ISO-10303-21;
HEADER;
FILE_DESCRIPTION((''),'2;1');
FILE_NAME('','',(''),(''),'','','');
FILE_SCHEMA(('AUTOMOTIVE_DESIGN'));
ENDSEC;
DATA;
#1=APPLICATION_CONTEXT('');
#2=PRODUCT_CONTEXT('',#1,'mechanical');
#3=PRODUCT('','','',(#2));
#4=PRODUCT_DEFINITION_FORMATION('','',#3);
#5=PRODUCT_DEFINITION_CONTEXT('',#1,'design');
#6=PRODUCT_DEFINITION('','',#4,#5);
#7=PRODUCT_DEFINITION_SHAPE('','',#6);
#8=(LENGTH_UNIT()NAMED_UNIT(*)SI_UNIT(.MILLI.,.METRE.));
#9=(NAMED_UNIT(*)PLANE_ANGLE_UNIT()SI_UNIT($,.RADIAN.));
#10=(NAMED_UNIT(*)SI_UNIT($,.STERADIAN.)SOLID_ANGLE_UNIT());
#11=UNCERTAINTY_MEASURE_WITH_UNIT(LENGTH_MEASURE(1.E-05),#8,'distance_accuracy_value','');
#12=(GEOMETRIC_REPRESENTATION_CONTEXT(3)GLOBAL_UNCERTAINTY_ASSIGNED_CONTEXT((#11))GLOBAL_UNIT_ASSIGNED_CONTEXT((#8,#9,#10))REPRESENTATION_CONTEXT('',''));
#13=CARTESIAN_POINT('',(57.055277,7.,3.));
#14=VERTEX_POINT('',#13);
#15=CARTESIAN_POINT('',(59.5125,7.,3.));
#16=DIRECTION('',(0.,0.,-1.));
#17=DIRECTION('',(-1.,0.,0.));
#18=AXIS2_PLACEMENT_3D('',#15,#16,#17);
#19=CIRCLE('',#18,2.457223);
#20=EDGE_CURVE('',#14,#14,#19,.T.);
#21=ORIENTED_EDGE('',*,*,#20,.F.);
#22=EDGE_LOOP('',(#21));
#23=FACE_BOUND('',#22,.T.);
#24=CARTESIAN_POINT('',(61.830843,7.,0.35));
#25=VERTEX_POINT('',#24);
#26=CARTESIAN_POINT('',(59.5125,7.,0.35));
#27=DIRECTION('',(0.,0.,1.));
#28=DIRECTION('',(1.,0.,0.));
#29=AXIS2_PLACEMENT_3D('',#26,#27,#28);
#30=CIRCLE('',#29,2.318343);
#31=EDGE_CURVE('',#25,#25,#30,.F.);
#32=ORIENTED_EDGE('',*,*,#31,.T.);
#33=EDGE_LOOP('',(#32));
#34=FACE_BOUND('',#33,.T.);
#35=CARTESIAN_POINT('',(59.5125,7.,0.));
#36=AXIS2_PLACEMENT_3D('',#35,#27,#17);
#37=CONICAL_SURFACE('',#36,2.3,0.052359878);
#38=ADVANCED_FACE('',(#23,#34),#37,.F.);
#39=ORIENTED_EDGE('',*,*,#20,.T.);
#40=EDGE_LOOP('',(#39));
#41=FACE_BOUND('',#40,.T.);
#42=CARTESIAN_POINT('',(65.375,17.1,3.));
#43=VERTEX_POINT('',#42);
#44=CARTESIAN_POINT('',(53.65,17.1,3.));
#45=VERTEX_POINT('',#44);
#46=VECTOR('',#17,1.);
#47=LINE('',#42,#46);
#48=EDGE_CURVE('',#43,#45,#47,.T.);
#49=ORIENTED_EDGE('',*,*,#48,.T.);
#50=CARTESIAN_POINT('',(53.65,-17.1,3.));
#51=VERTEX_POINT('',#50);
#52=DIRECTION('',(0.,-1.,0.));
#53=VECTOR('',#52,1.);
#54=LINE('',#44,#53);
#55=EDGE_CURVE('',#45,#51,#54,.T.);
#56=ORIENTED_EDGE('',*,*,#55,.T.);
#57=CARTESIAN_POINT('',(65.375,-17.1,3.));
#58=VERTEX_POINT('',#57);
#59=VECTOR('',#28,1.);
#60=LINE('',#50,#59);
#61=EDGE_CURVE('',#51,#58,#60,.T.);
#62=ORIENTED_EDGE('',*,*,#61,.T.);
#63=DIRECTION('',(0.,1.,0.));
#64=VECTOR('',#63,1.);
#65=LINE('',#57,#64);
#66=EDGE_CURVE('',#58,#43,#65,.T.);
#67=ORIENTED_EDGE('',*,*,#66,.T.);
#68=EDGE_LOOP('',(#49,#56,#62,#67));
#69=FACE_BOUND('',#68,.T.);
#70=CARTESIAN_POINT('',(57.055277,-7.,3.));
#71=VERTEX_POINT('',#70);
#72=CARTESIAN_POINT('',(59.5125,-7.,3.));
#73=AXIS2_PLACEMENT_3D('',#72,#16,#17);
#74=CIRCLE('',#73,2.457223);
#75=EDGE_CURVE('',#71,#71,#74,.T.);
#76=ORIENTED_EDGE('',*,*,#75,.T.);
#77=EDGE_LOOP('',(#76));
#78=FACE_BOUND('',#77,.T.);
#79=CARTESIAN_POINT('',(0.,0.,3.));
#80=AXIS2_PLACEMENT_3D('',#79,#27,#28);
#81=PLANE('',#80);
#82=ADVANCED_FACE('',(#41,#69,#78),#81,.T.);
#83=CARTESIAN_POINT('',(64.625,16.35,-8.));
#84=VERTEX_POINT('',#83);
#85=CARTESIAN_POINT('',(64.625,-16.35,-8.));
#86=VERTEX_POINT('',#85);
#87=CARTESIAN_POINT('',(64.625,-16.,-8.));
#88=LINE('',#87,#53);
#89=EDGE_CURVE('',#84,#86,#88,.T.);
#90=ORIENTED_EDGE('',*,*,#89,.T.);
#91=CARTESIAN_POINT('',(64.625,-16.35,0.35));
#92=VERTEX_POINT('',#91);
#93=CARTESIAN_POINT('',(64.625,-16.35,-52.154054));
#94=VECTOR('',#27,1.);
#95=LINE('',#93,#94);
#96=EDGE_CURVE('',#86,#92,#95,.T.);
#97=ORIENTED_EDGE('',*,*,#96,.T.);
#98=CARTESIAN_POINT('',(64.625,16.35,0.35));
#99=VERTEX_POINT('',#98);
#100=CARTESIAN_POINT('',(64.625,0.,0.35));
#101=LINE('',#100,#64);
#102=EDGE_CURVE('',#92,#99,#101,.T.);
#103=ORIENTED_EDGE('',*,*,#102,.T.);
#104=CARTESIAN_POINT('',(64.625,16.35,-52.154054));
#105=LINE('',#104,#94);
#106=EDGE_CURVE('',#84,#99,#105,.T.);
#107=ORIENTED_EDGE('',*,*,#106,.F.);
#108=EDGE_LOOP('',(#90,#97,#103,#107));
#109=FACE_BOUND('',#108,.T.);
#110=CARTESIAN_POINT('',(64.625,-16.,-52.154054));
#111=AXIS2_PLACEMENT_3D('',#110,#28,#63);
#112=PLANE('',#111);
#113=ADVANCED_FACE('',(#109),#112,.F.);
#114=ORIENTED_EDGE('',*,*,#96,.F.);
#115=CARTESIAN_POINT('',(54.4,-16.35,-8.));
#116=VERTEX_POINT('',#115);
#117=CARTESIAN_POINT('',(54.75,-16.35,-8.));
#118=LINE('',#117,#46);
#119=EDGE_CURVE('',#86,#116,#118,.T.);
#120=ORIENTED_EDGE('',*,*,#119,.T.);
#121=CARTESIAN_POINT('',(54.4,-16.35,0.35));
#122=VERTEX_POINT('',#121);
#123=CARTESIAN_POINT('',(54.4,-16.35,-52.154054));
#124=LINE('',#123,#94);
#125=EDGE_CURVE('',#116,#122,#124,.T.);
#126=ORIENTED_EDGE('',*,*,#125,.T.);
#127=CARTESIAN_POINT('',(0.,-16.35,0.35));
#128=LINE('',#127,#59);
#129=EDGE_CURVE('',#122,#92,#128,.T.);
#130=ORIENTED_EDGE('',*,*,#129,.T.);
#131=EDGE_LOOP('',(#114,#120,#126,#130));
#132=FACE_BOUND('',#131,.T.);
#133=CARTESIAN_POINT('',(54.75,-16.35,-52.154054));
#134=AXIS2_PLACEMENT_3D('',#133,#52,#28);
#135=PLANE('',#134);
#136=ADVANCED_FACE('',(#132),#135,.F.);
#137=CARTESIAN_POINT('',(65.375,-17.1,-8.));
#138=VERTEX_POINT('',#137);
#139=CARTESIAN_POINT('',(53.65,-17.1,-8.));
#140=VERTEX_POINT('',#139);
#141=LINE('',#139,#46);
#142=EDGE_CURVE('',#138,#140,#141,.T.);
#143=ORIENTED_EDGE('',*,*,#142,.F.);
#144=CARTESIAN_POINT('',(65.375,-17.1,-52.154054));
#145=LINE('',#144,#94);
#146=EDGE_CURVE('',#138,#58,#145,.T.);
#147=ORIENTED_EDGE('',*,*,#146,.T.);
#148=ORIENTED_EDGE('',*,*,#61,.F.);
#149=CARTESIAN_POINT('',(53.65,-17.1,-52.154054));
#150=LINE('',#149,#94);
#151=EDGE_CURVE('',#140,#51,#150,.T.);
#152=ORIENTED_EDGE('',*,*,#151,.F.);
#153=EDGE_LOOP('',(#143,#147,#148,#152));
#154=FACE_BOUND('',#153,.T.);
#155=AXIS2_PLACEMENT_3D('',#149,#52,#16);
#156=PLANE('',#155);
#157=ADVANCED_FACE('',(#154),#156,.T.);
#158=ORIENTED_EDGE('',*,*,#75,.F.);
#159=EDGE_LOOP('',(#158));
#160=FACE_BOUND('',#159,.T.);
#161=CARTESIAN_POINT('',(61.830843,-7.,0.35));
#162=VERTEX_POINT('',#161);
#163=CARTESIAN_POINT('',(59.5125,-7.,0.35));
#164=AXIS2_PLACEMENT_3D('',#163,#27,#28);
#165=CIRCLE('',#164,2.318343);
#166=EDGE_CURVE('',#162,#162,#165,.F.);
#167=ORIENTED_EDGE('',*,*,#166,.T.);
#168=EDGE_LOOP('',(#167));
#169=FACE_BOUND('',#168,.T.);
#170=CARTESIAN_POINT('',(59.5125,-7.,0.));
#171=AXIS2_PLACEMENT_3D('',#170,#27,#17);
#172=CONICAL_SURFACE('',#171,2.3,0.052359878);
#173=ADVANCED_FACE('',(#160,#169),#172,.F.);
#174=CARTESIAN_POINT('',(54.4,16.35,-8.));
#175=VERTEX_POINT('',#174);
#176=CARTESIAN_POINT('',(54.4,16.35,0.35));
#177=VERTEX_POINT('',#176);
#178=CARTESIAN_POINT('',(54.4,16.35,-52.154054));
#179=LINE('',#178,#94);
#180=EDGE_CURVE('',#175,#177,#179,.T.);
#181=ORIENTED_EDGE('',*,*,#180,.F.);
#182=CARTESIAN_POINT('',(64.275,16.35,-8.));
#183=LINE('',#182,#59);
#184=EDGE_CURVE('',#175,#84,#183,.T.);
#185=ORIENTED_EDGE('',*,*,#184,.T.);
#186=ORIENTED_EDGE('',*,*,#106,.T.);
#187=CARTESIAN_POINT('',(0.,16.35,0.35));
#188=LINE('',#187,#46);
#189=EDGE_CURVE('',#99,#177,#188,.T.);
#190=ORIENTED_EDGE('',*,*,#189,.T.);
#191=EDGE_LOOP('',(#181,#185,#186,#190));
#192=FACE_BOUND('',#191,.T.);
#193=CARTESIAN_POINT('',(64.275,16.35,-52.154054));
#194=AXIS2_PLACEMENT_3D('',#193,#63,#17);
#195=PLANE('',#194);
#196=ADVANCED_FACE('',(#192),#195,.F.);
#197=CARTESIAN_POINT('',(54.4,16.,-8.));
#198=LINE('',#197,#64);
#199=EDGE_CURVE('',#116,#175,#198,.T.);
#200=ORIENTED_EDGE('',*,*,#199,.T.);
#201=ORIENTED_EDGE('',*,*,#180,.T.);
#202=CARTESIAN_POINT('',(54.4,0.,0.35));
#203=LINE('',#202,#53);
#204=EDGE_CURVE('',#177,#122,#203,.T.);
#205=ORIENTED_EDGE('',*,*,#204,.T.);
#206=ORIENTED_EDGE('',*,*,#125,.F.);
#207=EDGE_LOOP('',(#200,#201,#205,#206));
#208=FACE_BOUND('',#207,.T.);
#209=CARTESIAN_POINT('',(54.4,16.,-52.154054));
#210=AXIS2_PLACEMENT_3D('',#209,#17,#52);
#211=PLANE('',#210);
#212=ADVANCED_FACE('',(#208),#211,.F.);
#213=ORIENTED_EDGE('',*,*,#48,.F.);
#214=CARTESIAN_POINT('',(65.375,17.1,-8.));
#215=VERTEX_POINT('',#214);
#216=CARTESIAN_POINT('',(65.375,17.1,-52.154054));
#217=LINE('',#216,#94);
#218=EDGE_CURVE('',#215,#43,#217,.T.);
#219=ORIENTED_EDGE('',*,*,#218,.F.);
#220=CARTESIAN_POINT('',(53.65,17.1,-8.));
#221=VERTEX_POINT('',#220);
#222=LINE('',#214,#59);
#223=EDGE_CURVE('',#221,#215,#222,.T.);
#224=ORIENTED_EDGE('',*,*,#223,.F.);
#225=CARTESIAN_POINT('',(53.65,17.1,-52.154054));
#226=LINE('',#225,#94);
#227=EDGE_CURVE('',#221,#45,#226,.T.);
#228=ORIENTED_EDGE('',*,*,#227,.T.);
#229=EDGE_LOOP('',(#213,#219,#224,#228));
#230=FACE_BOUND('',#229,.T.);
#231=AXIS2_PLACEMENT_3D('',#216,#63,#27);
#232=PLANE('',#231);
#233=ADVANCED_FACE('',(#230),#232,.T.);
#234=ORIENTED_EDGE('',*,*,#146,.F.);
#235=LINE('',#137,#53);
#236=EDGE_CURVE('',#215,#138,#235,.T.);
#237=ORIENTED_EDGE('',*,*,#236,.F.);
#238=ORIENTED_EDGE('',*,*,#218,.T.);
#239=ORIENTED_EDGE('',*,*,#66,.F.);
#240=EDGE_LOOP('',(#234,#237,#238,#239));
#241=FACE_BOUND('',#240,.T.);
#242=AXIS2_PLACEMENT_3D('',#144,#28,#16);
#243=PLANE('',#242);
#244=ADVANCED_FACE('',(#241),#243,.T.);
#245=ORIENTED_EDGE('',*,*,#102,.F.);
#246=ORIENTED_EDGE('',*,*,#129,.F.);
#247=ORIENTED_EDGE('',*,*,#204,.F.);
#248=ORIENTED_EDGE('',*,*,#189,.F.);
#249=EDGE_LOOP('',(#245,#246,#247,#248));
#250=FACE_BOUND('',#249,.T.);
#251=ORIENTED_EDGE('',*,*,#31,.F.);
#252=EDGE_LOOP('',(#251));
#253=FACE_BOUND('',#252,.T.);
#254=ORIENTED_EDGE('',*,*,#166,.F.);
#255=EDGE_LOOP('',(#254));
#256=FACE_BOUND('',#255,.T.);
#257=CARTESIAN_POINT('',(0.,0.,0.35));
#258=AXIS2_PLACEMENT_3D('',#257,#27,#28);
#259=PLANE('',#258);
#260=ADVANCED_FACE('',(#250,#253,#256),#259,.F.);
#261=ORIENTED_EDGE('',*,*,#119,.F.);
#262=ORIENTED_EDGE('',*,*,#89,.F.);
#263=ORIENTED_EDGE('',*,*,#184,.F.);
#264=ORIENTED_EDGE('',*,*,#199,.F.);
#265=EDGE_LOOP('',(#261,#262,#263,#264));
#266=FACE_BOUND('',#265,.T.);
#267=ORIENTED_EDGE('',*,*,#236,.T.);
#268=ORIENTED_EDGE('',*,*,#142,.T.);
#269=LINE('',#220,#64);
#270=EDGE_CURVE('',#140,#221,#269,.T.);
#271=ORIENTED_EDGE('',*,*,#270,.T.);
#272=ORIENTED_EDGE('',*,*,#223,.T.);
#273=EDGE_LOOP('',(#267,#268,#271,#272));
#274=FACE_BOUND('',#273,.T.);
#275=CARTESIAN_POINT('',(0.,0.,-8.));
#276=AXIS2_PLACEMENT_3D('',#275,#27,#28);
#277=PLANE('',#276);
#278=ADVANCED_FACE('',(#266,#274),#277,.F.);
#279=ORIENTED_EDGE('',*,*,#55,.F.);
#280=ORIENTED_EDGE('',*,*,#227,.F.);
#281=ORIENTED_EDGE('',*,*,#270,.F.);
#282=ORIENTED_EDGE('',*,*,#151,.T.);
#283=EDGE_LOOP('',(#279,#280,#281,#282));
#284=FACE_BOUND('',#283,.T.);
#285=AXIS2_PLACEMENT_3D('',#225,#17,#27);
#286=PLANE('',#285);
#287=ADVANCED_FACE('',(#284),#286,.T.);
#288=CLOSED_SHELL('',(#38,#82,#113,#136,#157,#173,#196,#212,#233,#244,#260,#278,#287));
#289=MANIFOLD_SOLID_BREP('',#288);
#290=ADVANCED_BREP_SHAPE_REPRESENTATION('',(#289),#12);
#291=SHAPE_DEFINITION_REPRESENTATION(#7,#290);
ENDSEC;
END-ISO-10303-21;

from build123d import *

# Parameters (mm, degrees)
SKETCH1_W                    = 9.525
SKETCH1_H                    = 32
BOSS_EXTRUDE1_DEPTH          = 3
SKETCH2_W                    = 11.725
SKETCH2_H                    = 34.2
SKETCH2_W_2                  = 9.525
SKETCH2_H_2                  = 32
BOSS_EXTRUDE2_DEPTH          = 11
SKETCH3_R                    = 2.3
CUT_EXTRUDE1_DEPTH           = 69.046312354
CUT_EXTRUDE1_DRAFT           = 3
CUT_EXTRUDE1_PROFILE_2_DEPTH = 69.046312354
CUT_EXTRUDE1_PROFILE_2_DRAFT = 3
MOVE_FACE1_BY                = 0.35
MOVE_FACE1_2_BY              = 0.35
MOVE_FACE1_3_BY              = 0.35
MOVE_FACE1_4_BY              = 0.35
MOVE_FACE1_5_BY              = 0.35


with BuildPart() as part:
    # Sketch1 → Boss-Extrude1 (new body)
    with BuildSketch(Plane.XY):
        with Locations((59.5125, 0)):
            Rectangle(SKETCH1_W, SKETCH1_H)
    extrude(amount=BOSS_EXTRUDE1_DEPTH)

    # Sketch2 → Boss-Extrude2 (add)
    with BuildSketch(Plane.XY.offset(3)):
        with Locations((59.5125, 0)):
            Rectangle(SKETCH2_W, SKETCH2_H)
        with Locations((59.5125, 0)):
            Rectangle(SKETCH2_W_2, SKETCH2_H_2, mode=Mode.SUBTRACT)
    extrude(amount=-BOSS_EXTRUDE2_DEPTH)


with BuildPart() as cut_extrude1_tool:
    # Sketch3 → Cut-Extrude1 (with draft: the straight prism first)
    with BuildSketch(Plane(origin=(0, 0, 0), x_dir=(-1, 0, 0), z_dir=(0, 0, -1))):
        with Locations((-59.5125, 7)):
            Circle(SKETCH3_R)
    extrude(amount=-CUT_EXTRUDE1_DEPTH)
    # Cut-Extrude1: the draft: its side faces are tilted about the plane it starts from
    cut_extrude1_sides = [cut_extrude1_tool.faces().sort_by_distance(p)[0] for p in [
        (61.8125, 7, 34.523156177),
    ]]
    draft(cut_extrude1_sides, Plane(origin=(0, 0, 0), x_dir=(-1, 0, 0), z_dir=(0, 0, -1)), CUT_EXTRUDE1_DRAFT)


with BuildPart() as part_1:
    add(part.part)

    # Cut-Extrude1: cut by cut_extrude1_tool
    add(cut_extrude1_tool.part, mode=Mode.SUBTRACT)


with BuildPart() as cut_extrude1_profile_2_tool:
    # Sketch3 → Cut-Extrude1 profile 2 (with draft: the straight prism first)
    with BuildSketch(Plane(origin=(0, 0, 0), x_dir=(-1, 0, 0), z_dir=(0, 0, -1))):
        with Locations((-59.5125, -7)):
            Circle(SKETCH3_R)
    extrude(amount=-CUT_EXTRUDE1_PROFILE_2_DEPTH)
    # Cut-Extrude1 profile 2: the draft: its side faces are tilted about the plane it starts from
    cut_extrude1_profile_2_sides = [cut_extrude1_profile_2_tool.faces().sort_by_distance(p)[0] for p in [
        (61.8125, -7, 34.523156177),
    ]]
    draft(cut_extrude1_profile_2_sides, Plane(origin=(0, 0, 0), x_dir=(-1, 0, 0), z_dir=(0, 0, -1)), CUT_EXTRUDE1_PROFILE_2_DRAFT)


with BuildPart() as part_2:
    add(part_1.part)

    # Cut-Extrude1 profile 2: cut by cut_extrude1_profile_2_tool
    add(cut_extrude1_profile_2_tool.part, mode=Mode.SUBTRACT)

    # Move Face1: a face moved inward by 0.35
    extrude(part_2.faces().sort_by_distance((59.5125, -16, -4))[0], amount=MOVE_FACE1_BY, dir=(0, -1, 0), mode=Mode.SUBTRACT)

    # Move Face1 2: a face moved inward by 0.35
    extrude(part_2.faces().sort_by_distance((54.75, 0, -4))[0], amount=MOVE_FACE1_2_BY, dir=(-1, 0, 0), mode=Mode.SUBTRACT)

    # Move Face1 3: a face moved inward by 0.35
    extrude(part_2.faces().sort_by_distance((64.275, 0, -4))[0], amount=MOVE_FACE1_3_BY, dir=(1, 0, 0), mode=Mode.SUBTRACT)

    # Move Face1 4: a face moved inward by 0.35
    extrude(part_2.faces().sort_by_distance((59.5125, 16, -4))[0], amount=MOVE_FACE1_4_BY, dir=(0, 1, 0), mode=Mode.SUBTRACT)

    # Move Face1 5: a face moved inward by 0.35
    extrude(part_2.faces().sort_by_distance((59.5125, 0, 0))[0], amount=MOVE_FACE1_5_BY, dir=(0, 0, 1), mode=Mode.SUBTRACT)


solid = part_2.part
